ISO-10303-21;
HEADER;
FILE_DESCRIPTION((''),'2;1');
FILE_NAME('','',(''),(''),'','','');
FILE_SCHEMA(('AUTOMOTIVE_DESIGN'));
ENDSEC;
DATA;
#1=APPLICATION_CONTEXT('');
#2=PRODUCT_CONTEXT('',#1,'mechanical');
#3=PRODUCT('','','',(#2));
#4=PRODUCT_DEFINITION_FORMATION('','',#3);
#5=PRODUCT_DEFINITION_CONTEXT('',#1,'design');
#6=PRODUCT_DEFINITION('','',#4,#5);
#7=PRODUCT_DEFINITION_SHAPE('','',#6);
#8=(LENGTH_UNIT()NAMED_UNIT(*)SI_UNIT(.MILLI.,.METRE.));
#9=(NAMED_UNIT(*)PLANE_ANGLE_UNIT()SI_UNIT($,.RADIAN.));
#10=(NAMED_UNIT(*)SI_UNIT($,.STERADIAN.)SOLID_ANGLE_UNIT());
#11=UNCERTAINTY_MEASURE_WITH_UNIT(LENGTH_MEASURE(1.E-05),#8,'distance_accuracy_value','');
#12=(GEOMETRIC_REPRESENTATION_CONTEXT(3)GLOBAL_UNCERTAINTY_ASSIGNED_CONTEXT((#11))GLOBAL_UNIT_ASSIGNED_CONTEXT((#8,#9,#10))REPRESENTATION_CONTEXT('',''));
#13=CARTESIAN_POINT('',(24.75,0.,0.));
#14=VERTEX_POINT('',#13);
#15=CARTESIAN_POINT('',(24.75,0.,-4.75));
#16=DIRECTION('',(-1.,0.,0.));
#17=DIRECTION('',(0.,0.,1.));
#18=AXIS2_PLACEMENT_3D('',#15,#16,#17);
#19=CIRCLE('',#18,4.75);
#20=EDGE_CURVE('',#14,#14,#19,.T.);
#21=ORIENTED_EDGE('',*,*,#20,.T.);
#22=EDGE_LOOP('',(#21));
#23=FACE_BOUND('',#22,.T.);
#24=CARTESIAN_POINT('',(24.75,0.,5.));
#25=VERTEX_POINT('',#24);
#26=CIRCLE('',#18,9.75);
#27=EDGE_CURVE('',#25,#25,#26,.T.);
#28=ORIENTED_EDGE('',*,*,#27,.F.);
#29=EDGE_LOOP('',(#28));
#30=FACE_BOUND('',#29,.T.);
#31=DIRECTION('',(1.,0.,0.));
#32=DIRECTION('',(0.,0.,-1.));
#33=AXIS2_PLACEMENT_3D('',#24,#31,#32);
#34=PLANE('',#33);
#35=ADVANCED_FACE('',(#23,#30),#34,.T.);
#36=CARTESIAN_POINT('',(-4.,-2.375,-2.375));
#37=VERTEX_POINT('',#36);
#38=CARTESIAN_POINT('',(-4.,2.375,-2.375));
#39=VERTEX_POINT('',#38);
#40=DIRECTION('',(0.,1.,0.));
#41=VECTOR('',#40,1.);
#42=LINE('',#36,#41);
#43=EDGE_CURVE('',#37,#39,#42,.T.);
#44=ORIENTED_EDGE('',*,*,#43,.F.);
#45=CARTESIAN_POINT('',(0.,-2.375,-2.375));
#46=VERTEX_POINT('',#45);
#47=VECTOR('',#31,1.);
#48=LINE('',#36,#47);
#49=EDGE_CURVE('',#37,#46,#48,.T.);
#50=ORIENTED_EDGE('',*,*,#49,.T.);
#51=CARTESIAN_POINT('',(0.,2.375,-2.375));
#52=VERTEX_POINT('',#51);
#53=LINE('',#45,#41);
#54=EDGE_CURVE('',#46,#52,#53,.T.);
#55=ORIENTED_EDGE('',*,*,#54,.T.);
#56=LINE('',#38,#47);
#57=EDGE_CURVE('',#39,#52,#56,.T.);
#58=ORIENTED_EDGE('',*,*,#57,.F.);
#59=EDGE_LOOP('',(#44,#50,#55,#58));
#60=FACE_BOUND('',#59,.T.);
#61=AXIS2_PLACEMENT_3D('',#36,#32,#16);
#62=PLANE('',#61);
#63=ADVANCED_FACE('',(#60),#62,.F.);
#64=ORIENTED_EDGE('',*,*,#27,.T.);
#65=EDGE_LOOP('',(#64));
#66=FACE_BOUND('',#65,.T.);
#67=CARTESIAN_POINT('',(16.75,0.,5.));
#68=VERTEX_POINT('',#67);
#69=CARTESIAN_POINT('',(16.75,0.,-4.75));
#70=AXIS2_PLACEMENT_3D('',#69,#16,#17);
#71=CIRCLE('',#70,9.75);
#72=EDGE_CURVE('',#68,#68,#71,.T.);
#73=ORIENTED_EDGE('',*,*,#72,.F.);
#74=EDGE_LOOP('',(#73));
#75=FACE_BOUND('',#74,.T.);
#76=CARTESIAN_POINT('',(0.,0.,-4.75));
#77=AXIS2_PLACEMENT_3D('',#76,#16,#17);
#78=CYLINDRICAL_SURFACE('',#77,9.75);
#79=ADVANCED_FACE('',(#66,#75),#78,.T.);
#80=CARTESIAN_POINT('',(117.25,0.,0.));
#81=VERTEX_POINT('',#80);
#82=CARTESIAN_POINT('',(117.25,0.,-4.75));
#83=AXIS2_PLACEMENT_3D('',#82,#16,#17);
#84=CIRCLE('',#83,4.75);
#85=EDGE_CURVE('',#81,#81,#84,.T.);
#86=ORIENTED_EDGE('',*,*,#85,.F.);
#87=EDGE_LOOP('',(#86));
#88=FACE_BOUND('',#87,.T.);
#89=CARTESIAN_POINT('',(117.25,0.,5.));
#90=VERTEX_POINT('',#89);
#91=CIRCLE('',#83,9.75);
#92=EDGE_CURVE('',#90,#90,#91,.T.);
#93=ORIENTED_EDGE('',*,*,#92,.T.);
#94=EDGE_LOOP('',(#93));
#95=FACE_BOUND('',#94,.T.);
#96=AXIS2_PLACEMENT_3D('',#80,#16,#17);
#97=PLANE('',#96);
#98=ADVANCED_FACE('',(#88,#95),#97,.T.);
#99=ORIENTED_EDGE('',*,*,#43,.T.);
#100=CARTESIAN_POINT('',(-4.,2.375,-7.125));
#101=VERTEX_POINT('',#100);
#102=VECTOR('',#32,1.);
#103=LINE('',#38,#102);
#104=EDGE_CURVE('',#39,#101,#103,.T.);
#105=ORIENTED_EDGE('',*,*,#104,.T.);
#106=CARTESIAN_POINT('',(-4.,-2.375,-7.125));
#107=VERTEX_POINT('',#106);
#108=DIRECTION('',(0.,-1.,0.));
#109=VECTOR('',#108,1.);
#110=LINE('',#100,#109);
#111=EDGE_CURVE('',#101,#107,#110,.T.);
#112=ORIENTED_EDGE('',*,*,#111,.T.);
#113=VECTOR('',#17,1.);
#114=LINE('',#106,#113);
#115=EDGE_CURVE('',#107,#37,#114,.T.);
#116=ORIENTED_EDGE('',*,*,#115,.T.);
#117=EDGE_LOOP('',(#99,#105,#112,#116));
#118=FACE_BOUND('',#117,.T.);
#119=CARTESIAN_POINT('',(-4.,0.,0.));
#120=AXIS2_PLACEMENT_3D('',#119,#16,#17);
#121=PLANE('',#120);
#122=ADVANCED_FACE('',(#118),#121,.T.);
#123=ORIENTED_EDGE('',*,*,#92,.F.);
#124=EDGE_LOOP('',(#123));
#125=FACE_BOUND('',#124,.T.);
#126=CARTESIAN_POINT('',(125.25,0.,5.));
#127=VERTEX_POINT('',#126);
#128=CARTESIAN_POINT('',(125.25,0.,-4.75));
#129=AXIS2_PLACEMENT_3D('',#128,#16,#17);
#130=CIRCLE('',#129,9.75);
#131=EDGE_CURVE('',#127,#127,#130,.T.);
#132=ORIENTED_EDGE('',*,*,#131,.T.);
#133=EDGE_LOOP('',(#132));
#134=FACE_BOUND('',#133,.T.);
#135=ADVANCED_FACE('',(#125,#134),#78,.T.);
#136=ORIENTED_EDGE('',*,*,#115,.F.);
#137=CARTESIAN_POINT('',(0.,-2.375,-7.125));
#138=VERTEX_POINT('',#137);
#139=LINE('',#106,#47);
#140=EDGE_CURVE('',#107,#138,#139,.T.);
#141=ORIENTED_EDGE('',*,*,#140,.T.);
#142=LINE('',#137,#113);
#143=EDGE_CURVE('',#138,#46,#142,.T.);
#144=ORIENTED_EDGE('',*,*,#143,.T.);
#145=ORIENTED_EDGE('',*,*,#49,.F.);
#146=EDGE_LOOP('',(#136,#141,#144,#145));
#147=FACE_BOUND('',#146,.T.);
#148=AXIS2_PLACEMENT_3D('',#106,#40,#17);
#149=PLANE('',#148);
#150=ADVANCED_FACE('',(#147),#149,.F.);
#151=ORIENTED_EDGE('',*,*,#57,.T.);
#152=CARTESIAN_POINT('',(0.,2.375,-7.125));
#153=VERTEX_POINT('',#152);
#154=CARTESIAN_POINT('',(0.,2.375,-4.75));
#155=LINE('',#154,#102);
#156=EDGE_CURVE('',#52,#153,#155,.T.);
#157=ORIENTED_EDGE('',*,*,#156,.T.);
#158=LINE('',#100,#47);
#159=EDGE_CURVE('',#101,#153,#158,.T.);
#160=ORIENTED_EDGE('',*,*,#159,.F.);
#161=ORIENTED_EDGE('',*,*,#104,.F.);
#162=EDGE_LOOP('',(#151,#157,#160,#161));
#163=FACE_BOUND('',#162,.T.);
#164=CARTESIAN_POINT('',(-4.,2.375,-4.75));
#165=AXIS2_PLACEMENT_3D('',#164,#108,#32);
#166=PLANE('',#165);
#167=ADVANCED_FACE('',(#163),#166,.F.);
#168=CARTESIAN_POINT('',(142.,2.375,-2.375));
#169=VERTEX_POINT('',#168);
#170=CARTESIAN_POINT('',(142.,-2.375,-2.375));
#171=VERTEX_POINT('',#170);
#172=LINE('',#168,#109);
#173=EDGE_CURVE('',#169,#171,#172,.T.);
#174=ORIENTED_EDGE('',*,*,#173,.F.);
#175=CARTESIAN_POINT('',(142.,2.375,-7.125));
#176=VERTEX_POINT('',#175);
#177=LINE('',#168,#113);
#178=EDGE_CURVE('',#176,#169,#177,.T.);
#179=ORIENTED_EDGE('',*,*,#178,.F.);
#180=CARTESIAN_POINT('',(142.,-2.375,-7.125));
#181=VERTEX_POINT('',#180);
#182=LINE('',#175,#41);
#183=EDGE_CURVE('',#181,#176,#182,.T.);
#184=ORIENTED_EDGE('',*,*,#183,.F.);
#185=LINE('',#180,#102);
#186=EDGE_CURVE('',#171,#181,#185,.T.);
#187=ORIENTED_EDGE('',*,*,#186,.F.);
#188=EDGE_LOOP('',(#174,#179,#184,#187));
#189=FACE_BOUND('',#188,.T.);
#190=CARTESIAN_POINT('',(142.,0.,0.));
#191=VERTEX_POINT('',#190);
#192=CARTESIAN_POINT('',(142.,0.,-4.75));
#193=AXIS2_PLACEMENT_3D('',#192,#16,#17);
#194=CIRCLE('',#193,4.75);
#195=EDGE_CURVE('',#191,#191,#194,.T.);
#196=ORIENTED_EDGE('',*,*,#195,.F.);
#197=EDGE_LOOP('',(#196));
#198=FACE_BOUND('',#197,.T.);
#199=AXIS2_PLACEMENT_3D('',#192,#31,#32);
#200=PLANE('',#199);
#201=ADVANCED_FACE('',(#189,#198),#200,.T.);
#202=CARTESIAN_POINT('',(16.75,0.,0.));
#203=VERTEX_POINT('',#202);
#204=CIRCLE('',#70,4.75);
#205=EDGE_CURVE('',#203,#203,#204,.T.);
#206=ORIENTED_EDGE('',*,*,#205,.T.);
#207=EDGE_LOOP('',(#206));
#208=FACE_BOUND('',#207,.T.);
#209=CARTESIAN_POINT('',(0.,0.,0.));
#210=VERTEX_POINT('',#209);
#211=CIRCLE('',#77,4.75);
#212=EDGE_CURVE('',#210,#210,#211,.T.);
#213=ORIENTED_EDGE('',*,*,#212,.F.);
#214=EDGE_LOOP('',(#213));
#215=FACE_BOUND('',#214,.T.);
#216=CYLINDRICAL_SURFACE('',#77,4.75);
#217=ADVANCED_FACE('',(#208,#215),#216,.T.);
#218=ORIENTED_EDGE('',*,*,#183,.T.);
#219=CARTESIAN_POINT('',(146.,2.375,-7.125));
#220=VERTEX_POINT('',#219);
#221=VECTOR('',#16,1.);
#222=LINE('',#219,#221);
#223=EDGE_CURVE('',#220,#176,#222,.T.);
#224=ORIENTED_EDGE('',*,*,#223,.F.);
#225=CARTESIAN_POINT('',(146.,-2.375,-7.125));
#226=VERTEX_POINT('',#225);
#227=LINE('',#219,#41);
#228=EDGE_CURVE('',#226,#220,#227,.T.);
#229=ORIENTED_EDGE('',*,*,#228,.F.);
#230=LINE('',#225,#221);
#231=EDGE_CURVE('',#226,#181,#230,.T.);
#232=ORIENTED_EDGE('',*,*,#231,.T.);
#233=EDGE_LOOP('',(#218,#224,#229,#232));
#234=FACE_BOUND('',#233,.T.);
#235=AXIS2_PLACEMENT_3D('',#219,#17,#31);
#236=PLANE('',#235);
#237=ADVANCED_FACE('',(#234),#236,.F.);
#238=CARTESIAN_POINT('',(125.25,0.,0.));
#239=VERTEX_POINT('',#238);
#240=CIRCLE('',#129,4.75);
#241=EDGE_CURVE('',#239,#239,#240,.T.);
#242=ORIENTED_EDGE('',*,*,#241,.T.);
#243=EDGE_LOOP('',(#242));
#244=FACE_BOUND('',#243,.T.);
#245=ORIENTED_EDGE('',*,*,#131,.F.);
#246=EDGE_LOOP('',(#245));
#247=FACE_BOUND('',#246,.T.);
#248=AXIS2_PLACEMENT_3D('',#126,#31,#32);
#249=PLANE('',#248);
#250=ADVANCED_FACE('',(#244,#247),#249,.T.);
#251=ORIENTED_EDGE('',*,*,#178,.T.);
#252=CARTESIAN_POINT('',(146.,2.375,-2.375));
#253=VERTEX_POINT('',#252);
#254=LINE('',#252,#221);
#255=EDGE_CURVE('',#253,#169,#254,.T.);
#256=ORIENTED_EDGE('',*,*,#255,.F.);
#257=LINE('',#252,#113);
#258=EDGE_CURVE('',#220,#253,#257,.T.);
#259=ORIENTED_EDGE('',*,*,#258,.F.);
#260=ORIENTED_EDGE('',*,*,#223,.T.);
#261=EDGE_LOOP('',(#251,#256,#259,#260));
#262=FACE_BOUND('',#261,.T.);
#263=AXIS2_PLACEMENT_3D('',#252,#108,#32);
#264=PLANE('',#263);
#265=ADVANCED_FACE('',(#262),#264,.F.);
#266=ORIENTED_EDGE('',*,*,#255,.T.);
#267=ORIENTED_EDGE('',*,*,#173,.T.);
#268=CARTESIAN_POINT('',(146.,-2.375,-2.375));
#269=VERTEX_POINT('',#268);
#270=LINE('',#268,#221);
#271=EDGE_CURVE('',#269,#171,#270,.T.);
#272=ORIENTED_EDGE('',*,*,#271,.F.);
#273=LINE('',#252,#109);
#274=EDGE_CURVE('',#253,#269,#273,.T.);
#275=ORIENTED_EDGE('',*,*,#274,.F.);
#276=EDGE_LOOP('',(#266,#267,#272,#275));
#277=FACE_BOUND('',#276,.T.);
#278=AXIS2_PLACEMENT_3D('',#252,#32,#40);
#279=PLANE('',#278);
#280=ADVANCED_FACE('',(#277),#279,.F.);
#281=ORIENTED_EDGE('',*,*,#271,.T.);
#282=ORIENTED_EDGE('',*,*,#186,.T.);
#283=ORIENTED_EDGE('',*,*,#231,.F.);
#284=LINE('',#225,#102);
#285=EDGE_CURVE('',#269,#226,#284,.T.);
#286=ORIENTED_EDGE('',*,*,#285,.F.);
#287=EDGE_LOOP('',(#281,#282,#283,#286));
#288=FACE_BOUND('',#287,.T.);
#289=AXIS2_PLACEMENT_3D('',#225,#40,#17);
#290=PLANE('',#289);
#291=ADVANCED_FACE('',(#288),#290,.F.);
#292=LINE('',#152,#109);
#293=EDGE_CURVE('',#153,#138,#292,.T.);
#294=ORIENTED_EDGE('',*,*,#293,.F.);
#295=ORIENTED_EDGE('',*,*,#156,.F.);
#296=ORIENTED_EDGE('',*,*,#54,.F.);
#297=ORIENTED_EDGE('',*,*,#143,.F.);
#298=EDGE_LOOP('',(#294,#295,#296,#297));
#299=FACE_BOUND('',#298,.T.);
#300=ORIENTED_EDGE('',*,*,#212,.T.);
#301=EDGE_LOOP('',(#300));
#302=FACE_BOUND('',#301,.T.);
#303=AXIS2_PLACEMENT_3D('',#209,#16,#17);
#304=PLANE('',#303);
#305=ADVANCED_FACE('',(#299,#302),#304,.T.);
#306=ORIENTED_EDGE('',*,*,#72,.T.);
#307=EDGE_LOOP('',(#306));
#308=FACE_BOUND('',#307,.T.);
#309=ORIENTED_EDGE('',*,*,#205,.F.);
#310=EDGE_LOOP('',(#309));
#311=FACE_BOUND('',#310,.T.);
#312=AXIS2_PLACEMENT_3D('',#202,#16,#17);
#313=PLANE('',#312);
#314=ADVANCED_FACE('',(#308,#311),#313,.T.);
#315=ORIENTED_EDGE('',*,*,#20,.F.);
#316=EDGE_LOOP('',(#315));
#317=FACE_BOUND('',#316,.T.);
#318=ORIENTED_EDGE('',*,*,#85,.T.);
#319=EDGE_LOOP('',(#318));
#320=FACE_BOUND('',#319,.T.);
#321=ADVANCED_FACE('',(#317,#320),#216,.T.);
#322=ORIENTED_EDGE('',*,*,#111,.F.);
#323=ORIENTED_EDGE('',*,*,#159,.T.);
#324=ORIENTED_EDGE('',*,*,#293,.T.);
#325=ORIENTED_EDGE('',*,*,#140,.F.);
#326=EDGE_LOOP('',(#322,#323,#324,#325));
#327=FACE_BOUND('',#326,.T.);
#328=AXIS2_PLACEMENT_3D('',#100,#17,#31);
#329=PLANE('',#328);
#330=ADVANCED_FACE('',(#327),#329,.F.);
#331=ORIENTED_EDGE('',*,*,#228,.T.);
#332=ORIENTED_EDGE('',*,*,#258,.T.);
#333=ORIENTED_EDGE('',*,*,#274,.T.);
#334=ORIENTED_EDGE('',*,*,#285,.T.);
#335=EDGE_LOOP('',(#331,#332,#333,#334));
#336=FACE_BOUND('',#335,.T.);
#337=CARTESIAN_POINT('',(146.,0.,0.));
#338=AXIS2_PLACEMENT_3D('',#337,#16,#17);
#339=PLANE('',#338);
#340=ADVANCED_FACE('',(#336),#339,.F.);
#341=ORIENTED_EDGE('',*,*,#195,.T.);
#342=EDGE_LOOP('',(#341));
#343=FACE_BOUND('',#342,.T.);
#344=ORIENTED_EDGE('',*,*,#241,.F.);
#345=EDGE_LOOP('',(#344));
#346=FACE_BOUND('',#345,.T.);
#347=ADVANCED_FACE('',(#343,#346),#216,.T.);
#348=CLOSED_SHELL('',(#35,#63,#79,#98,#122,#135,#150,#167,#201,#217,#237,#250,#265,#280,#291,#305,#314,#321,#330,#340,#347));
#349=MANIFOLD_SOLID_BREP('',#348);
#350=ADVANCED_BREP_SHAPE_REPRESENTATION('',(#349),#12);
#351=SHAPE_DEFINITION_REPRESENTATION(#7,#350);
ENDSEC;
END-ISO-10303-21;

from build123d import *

# Parameters (mm, degrees)
ESQUISSE5_W        = 4.75
ESQUISSE5_H        = 4.75
BOSS_EXTRU_3_DEPTH = 4
BOSS_EXTRU_4_DEPTH = 4


with BuildPart() as part:
    # Esquisse1 → Révolution1 (revolve)
    with BuildSketch(Plane(origin=(0, 0, 0), x_dir=(1, 0, 0), z_dir=(0, 1, 0))):
        Polygon((0, 0), (0, 4.75), (142, 4.75), (142, 0), (125.25, 0), (125.25, -5), (117.25, -5), (117.25, 0), (24.75, 0), (24.75, -5), (16.75, -5), (16.75, 0), align=None)
    revolve(axis=Axis((0, 0, -4.75), (1, 0, 0)))

    # Esquisse5 → Boss.-Extru.3 (add)
    with BuildSketch(Plane(origin=(142, 0, 0), x_dir=(0, 0, -1), z_dir=(1, 0, 0))):
        with Locations((4.75, 0)):
            Rectangle(ESQUISSE5_W, ESQUISSE5_H)
    extrude(amount=BOSS_EXTRU_3_DEPTH)

    # Esquisse6 → Boss.-Extru.4 (add)
    with BuildSketch(Plane.ZY):
        Polygon((-4.75, 2.375), (-7.125, 2.375), (-7.125, -2.375), (-2.375, -2.375), (-2.375, 2.375), align=None)
    extrude(amount=BOSS_EXTRU_4_DEPTH)


solid = part.part
